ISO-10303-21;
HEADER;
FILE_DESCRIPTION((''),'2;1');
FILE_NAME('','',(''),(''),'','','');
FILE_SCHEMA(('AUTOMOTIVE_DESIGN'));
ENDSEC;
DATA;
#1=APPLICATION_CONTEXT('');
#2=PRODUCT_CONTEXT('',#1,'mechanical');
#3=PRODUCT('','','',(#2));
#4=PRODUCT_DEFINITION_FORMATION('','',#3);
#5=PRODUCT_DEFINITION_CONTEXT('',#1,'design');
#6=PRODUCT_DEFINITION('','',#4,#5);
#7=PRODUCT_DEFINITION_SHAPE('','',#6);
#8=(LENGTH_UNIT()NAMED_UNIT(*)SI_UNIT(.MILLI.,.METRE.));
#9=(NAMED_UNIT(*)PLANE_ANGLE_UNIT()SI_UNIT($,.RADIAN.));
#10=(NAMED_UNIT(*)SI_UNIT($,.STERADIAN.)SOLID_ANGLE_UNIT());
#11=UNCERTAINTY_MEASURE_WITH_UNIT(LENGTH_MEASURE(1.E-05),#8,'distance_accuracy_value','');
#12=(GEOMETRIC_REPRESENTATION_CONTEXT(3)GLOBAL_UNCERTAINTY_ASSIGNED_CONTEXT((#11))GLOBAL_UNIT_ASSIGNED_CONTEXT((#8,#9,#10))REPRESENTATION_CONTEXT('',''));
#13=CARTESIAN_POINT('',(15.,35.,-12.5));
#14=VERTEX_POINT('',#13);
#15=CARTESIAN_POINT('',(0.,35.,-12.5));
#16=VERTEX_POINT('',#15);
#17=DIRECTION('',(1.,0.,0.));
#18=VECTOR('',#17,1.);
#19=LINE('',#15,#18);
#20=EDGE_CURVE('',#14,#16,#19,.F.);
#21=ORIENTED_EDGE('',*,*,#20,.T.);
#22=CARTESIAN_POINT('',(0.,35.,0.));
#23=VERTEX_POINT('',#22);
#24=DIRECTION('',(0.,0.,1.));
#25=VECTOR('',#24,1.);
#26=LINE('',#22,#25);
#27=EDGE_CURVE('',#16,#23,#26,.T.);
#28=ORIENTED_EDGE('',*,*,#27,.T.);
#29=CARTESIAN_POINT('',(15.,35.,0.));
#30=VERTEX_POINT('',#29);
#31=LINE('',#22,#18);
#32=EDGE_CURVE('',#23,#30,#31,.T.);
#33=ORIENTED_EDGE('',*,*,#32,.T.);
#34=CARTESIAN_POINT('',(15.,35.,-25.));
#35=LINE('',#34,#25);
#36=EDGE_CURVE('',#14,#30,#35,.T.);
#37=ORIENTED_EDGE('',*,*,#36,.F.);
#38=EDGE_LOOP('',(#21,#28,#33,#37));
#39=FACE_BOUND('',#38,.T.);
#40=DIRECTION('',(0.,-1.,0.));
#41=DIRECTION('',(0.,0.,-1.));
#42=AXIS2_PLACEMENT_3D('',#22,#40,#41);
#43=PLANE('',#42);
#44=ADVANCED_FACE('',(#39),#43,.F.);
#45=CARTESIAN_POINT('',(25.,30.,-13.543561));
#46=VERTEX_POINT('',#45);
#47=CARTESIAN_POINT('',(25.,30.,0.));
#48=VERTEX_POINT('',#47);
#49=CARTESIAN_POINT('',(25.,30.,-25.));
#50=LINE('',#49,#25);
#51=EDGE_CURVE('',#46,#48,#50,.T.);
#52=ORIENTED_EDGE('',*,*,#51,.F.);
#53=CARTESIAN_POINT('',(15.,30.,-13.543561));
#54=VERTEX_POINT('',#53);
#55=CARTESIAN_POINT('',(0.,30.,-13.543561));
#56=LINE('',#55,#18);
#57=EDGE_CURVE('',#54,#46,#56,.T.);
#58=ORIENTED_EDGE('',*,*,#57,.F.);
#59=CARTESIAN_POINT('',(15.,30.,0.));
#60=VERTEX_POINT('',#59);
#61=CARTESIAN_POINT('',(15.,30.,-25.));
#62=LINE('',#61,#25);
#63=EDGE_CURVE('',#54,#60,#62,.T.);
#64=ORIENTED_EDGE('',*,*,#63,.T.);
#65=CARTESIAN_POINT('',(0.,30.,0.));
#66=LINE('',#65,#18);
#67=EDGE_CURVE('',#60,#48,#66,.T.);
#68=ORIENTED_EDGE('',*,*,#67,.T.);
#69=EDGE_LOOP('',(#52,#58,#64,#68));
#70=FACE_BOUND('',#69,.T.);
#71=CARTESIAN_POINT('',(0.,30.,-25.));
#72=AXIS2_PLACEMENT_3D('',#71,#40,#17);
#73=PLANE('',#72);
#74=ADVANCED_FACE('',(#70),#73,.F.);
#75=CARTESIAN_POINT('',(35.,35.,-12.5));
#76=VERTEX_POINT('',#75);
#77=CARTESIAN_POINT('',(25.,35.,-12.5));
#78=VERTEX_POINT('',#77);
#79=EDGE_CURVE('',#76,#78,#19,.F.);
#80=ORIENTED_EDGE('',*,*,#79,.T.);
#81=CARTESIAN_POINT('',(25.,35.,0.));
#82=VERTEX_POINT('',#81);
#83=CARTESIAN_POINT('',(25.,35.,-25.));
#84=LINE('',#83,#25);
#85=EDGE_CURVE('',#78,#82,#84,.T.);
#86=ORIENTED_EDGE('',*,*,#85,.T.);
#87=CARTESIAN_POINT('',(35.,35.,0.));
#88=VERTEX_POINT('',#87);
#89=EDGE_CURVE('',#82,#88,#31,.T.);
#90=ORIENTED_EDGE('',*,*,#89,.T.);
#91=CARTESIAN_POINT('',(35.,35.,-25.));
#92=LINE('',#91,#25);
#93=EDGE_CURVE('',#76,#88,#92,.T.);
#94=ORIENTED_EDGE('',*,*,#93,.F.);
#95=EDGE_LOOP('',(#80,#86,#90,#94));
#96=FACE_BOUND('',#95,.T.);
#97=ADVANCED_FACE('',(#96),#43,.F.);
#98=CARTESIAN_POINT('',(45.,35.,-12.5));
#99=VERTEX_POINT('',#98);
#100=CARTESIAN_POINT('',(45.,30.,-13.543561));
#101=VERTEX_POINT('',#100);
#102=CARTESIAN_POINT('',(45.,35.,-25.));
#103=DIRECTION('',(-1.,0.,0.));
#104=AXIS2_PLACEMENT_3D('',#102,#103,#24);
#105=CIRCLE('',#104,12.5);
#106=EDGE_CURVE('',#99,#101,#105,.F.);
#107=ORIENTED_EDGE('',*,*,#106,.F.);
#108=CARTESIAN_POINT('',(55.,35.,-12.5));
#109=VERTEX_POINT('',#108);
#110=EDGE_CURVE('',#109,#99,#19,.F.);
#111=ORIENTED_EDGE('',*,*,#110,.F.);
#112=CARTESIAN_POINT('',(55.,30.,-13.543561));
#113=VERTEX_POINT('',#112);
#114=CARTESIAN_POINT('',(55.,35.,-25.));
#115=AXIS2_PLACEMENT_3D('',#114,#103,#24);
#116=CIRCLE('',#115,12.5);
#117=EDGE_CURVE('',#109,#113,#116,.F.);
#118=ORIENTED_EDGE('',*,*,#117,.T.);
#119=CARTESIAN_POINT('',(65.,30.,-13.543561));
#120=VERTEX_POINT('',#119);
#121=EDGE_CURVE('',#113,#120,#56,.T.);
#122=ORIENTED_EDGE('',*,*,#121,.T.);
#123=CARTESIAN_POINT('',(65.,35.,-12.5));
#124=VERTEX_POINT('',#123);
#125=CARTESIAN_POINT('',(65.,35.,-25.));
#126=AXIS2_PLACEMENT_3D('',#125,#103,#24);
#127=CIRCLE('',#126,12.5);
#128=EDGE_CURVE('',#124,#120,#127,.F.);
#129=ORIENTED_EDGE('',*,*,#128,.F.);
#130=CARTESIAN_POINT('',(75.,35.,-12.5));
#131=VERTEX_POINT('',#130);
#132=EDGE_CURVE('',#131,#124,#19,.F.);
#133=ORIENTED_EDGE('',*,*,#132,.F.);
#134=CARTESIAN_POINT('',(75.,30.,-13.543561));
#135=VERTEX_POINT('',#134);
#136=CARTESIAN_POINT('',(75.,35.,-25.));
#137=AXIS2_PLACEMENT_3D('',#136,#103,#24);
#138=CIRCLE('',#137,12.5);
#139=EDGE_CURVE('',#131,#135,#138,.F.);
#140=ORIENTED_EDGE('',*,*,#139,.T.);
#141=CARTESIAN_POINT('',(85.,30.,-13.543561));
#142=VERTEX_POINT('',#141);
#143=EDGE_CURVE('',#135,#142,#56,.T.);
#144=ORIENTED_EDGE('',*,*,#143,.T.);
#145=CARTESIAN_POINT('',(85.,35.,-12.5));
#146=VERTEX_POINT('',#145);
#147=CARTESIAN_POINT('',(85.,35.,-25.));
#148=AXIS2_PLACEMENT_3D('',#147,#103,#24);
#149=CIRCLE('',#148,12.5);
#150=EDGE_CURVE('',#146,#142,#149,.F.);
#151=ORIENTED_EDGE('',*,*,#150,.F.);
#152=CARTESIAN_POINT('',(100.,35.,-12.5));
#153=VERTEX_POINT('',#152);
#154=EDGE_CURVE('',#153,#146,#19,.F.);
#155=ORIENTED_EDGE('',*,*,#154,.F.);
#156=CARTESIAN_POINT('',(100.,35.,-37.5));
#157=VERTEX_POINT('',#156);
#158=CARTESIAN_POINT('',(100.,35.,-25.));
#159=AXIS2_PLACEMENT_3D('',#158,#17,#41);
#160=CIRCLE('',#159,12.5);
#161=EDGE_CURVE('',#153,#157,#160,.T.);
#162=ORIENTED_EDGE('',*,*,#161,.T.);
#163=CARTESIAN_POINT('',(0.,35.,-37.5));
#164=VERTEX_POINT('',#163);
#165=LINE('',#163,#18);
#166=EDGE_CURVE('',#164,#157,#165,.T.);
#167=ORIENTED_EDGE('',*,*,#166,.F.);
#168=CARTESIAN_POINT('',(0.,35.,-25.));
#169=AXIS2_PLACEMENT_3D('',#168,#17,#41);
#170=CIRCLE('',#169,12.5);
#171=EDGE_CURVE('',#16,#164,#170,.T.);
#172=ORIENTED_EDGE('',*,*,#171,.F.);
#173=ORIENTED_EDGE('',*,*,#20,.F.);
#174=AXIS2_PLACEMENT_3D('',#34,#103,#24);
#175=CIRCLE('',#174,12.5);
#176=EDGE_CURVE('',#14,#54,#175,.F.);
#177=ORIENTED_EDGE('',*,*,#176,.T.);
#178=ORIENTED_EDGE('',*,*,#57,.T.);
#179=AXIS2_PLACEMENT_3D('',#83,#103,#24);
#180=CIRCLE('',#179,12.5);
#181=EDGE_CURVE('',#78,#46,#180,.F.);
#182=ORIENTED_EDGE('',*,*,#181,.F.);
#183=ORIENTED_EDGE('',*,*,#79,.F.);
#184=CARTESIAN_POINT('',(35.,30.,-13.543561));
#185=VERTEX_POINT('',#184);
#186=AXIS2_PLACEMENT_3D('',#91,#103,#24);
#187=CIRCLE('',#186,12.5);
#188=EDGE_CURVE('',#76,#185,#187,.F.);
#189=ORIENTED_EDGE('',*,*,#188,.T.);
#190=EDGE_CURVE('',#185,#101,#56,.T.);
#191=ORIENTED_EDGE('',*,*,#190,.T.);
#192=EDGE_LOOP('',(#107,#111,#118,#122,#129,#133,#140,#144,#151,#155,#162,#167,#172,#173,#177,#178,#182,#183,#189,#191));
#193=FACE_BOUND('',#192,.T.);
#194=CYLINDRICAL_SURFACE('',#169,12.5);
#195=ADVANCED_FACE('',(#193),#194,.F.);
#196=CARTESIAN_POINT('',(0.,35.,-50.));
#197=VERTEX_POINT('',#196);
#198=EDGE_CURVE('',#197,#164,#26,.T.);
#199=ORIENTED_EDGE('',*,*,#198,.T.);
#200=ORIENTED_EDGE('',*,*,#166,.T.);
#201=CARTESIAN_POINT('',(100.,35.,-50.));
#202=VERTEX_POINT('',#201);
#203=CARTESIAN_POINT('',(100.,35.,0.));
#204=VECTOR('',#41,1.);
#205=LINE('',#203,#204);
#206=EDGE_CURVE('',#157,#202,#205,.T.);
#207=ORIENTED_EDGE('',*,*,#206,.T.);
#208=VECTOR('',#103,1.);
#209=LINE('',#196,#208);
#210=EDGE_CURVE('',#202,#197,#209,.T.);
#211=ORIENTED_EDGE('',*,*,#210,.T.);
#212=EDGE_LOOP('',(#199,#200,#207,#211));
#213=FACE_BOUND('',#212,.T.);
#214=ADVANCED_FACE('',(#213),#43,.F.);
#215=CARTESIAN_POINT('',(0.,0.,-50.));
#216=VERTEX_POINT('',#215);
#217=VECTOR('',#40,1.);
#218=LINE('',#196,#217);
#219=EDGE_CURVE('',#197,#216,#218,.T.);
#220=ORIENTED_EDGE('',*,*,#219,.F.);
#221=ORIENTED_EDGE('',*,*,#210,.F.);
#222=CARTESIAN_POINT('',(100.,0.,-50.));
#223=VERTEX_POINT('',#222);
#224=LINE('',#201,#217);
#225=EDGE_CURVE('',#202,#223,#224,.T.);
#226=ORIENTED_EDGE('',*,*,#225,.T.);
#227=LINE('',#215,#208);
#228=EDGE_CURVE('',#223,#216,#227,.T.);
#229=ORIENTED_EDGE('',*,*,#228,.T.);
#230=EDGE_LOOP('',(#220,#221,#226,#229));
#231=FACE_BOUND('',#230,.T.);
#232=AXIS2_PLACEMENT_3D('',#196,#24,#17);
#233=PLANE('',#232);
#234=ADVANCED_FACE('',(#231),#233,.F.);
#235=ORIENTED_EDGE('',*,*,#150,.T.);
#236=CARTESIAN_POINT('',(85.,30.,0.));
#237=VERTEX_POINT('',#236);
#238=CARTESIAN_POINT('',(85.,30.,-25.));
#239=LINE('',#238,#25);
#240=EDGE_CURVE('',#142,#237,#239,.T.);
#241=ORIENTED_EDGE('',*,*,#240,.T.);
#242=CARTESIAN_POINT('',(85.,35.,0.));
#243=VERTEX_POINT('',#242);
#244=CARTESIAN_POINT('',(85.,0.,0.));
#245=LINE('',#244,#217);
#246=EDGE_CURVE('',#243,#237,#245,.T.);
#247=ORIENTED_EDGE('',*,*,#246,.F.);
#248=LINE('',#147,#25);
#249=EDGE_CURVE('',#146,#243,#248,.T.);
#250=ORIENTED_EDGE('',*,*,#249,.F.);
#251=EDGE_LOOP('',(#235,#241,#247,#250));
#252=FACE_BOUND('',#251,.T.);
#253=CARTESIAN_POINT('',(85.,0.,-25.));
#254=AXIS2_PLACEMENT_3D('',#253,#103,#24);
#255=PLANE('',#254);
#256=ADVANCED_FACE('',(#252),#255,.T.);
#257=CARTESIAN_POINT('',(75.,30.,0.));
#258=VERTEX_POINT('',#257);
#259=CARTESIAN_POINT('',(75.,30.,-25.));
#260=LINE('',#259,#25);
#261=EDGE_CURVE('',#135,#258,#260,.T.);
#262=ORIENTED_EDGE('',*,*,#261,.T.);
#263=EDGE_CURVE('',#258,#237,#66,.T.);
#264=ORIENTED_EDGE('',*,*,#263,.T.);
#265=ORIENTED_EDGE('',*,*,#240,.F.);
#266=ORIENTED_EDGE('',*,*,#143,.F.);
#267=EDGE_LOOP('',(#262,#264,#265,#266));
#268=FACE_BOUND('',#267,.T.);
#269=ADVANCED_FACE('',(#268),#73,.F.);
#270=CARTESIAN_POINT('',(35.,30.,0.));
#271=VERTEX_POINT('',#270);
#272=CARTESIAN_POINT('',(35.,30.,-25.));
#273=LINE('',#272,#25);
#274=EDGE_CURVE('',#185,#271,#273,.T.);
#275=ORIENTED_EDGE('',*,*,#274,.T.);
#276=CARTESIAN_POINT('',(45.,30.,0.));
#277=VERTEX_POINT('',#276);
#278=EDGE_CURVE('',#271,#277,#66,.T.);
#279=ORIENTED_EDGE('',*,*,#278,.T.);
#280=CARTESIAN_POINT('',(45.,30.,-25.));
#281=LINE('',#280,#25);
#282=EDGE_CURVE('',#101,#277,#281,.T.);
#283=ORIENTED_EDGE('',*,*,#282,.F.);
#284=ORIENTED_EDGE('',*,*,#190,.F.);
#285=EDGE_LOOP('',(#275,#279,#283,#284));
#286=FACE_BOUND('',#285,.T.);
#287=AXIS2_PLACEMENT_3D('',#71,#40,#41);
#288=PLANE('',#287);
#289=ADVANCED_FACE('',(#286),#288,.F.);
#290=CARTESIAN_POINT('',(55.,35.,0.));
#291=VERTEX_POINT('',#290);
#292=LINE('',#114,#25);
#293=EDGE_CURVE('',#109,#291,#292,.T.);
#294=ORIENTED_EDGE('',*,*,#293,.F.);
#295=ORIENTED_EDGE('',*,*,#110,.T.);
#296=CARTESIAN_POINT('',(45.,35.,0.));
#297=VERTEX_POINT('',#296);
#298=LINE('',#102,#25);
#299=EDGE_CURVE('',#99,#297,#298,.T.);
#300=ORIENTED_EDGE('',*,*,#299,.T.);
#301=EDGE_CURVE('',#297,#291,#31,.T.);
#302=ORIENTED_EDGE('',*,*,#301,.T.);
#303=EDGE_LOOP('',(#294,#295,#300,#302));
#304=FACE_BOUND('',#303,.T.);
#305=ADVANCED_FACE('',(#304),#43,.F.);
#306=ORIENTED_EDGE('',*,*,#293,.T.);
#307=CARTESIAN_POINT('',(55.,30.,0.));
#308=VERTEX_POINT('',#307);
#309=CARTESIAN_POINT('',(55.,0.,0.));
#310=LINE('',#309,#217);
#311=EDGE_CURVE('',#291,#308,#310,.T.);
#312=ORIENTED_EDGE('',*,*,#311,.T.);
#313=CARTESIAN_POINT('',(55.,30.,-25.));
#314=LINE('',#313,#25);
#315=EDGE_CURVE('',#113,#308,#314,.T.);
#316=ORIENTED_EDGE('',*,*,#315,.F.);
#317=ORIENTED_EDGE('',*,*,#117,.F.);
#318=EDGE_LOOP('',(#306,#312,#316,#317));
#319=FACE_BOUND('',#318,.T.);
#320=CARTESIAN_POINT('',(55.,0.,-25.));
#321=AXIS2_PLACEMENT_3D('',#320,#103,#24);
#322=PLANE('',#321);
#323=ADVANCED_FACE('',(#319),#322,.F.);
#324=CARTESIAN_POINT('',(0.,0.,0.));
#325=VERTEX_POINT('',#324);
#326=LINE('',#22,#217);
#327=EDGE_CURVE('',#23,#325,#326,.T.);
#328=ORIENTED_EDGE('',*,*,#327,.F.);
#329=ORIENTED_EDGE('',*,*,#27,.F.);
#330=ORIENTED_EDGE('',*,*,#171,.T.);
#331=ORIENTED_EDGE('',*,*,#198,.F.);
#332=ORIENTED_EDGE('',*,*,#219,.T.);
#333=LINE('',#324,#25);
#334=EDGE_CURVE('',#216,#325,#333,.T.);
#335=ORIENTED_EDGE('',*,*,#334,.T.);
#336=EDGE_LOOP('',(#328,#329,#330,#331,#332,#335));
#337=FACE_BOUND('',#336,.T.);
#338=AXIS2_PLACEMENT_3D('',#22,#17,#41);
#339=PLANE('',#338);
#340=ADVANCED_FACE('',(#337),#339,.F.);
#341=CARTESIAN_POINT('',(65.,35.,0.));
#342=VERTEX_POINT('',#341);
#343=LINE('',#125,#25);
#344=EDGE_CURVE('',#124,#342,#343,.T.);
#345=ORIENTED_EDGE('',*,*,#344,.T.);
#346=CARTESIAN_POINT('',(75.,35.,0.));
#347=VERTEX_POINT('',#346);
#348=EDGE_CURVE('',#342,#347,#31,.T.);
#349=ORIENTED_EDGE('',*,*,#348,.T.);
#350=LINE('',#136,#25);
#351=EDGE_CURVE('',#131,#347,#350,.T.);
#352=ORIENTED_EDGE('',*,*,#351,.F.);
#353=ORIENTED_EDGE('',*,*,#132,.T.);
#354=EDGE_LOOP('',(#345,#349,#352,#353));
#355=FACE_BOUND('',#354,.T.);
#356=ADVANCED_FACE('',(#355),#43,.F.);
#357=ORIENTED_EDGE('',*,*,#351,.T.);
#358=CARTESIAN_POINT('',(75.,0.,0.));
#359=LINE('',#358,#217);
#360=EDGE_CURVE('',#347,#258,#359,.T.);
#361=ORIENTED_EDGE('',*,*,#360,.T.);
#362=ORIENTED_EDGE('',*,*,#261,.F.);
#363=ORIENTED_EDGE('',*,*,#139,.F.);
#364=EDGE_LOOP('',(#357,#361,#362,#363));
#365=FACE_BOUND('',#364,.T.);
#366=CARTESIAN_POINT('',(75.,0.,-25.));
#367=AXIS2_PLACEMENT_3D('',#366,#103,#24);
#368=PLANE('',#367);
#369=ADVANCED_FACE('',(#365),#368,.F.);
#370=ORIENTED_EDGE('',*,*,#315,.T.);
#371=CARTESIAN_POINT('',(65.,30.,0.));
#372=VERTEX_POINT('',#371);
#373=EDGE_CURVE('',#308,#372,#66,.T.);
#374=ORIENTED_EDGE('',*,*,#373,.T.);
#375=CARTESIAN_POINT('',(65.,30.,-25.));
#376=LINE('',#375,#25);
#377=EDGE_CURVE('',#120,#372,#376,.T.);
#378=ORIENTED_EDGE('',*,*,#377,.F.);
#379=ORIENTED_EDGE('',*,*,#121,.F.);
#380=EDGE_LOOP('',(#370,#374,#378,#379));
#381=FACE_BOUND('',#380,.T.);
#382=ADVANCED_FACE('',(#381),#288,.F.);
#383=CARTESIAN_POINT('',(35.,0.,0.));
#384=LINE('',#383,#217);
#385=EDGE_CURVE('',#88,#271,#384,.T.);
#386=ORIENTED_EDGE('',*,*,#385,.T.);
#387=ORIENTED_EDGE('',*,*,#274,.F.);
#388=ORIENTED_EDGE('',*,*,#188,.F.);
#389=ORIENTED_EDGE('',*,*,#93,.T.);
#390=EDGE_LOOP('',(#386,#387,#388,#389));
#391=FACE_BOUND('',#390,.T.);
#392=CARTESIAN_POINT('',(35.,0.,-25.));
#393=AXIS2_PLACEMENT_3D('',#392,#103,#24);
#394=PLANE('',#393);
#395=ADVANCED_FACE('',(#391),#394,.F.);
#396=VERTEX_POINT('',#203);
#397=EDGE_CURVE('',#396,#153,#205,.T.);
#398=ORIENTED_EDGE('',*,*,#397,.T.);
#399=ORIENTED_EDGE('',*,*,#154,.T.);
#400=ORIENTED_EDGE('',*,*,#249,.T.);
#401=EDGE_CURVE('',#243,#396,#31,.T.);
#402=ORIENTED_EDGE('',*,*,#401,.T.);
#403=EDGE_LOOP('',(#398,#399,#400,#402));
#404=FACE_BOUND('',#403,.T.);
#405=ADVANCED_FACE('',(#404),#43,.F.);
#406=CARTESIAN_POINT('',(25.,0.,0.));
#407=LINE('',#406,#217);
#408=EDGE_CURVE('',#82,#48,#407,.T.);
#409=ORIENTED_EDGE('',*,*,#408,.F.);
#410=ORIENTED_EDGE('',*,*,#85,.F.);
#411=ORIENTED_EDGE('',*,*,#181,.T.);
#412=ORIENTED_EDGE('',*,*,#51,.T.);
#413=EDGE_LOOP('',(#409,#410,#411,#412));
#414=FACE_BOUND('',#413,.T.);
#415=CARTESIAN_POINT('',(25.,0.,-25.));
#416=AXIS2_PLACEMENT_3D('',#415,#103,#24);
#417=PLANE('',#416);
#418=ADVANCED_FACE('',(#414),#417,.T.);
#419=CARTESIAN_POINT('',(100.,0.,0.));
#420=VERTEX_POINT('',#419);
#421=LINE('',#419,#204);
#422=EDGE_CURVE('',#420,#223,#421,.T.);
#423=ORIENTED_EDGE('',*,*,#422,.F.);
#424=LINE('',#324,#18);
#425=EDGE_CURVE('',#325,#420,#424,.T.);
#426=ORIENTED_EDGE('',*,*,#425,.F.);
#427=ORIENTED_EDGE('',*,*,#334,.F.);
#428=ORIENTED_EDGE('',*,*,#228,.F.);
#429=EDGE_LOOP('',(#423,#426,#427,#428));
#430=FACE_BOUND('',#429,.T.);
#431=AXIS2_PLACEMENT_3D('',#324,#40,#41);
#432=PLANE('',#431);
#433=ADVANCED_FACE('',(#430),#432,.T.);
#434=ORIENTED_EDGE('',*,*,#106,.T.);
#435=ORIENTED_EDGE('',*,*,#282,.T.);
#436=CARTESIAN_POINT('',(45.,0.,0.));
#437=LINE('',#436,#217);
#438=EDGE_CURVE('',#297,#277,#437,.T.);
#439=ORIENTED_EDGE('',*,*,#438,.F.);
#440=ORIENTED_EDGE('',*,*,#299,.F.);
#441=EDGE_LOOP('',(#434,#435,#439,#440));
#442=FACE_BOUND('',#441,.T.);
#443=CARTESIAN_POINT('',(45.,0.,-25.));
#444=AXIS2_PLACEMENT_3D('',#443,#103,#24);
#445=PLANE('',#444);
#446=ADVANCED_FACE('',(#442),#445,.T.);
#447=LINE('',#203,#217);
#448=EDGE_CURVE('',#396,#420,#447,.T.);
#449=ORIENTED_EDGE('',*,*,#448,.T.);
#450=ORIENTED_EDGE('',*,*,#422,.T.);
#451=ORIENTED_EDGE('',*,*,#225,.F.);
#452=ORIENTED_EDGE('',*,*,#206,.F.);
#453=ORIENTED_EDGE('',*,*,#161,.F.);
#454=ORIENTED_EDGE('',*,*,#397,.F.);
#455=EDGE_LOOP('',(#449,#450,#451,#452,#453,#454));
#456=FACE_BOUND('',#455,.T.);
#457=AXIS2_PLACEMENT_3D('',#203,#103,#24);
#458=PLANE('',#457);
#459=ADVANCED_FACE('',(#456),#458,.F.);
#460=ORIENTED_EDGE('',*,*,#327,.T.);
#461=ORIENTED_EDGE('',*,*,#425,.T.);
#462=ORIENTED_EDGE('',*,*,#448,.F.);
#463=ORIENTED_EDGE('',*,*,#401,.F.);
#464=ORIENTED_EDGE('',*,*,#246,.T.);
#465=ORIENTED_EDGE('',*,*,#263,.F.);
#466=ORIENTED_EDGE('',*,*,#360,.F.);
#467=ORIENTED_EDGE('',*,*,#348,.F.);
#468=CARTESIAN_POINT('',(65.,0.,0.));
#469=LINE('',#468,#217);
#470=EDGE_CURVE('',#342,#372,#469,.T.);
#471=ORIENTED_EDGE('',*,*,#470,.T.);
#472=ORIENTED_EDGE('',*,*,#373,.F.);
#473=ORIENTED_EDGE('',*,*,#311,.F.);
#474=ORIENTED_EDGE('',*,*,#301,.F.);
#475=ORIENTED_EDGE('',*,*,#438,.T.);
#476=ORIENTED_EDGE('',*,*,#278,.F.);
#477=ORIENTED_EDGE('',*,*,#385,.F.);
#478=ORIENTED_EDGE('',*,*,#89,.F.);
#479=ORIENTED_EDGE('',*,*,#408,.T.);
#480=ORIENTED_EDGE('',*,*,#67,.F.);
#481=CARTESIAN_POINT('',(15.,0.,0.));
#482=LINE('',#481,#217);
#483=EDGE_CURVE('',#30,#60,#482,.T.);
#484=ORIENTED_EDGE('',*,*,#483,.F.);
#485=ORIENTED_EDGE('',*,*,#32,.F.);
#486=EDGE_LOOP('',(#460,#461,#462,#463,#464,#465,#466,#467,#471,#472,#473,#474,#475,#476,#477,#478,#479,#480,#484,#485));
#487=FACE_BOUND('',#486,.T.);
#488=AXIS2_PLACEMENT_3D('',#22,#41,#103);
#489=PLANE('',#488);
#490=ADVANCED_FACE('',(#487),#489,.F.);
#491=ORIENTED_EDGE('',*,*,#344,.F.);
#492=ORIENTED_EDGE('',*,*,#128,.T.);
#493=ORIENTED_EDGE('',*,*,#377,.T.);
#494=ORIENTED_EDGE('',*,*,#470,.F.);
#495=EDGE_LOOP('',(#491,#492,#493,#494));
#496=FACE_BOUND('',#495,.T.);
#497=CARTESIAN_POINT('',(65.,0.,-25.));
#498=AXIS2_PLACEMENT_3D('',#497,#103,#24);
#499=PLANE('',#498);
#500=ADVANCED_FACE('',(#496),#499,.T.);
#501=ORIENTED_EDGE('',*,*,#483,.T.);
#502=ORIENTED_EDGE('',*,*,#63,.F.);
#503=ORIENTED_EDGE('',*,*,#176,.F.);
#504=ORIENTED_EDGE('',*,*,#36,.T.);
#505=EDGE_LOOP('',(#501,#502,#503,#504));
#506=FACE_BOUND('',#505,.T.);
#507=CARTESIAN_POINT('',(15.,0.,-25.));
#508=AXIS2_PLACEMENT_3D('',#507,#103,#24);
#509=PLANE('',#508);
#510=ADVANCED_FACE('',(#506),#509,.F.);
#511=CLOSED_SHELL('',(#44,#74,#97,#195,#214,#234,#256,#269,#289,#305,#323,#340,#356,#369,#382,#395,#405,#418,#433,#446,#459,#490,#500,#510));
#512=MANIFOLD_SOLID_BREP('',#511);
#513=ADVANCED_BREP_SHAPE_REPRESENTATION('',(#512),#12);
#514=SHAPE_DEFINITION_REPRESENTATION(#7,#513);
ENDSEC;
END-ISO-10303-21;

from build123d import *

# Parameters (mm, degrees)
SKETCH1_W           = 100
SKETCH1_H           = 50
BOSS_EXTRUDE1_DEPTH = 35
SKETCH2_R           = 12.5
CUT_EXTRUDE1_DEPTH  = 100
SKETCH5_W           = 10
SKETCH5_H           = 5
CUT_EXTRUDE3_DEPTH  = 25


with BuildPart() as part:
    # Sketch1 → Boss-Extrude1 (new body)
    with BuildSketch(Plane(origin=(0, 0, 0), x_dir=(1, 0, 0), z_dir=(0, 1, 0))):
        with Locations((50, 25)):
            Rectangle(SKETCH1_W, SKETCH1_H)
    extrude(amount=BOSS_EXTRUDE1_DEPTH)

    # Sketch2 → Cut-Extrude1 (cut)
    with BuildSketch(Plane(origin=(100, 0, 0), x_dir=(0, 0, -1), z_dir=(1, 0, 0))):
        with Locations((25, 35)):
            Circle(SKETCH2_R)
    extrude(amount=-CUT_EXTRUDE1_DEPTH, mode=Mode.SUBTRACT)

    # Sketch5 → Cut-Extrude3 (cut)
    with BuildSketch(Plane.XY):
        with Locations((20, 32.5)):
            Rectangle(SKETCH5_W, SKETCH5_H)
        with Locations((40, 32.5)):
            Rectangle(SKETCH5_W, SKETCH5_H)
        with Locations((60, 32.5)):
            Rectangle(SKETCH5_W, SKETCH5_H)
        with Locations((80, 32.5)):
            Rectangle(SKETCH5_W, SKETCH5_H)
    extrude(amount=-CUT_EXTRUDE3_DEPTH, mode=Mode.SUBTRACT)


solid = part.part
